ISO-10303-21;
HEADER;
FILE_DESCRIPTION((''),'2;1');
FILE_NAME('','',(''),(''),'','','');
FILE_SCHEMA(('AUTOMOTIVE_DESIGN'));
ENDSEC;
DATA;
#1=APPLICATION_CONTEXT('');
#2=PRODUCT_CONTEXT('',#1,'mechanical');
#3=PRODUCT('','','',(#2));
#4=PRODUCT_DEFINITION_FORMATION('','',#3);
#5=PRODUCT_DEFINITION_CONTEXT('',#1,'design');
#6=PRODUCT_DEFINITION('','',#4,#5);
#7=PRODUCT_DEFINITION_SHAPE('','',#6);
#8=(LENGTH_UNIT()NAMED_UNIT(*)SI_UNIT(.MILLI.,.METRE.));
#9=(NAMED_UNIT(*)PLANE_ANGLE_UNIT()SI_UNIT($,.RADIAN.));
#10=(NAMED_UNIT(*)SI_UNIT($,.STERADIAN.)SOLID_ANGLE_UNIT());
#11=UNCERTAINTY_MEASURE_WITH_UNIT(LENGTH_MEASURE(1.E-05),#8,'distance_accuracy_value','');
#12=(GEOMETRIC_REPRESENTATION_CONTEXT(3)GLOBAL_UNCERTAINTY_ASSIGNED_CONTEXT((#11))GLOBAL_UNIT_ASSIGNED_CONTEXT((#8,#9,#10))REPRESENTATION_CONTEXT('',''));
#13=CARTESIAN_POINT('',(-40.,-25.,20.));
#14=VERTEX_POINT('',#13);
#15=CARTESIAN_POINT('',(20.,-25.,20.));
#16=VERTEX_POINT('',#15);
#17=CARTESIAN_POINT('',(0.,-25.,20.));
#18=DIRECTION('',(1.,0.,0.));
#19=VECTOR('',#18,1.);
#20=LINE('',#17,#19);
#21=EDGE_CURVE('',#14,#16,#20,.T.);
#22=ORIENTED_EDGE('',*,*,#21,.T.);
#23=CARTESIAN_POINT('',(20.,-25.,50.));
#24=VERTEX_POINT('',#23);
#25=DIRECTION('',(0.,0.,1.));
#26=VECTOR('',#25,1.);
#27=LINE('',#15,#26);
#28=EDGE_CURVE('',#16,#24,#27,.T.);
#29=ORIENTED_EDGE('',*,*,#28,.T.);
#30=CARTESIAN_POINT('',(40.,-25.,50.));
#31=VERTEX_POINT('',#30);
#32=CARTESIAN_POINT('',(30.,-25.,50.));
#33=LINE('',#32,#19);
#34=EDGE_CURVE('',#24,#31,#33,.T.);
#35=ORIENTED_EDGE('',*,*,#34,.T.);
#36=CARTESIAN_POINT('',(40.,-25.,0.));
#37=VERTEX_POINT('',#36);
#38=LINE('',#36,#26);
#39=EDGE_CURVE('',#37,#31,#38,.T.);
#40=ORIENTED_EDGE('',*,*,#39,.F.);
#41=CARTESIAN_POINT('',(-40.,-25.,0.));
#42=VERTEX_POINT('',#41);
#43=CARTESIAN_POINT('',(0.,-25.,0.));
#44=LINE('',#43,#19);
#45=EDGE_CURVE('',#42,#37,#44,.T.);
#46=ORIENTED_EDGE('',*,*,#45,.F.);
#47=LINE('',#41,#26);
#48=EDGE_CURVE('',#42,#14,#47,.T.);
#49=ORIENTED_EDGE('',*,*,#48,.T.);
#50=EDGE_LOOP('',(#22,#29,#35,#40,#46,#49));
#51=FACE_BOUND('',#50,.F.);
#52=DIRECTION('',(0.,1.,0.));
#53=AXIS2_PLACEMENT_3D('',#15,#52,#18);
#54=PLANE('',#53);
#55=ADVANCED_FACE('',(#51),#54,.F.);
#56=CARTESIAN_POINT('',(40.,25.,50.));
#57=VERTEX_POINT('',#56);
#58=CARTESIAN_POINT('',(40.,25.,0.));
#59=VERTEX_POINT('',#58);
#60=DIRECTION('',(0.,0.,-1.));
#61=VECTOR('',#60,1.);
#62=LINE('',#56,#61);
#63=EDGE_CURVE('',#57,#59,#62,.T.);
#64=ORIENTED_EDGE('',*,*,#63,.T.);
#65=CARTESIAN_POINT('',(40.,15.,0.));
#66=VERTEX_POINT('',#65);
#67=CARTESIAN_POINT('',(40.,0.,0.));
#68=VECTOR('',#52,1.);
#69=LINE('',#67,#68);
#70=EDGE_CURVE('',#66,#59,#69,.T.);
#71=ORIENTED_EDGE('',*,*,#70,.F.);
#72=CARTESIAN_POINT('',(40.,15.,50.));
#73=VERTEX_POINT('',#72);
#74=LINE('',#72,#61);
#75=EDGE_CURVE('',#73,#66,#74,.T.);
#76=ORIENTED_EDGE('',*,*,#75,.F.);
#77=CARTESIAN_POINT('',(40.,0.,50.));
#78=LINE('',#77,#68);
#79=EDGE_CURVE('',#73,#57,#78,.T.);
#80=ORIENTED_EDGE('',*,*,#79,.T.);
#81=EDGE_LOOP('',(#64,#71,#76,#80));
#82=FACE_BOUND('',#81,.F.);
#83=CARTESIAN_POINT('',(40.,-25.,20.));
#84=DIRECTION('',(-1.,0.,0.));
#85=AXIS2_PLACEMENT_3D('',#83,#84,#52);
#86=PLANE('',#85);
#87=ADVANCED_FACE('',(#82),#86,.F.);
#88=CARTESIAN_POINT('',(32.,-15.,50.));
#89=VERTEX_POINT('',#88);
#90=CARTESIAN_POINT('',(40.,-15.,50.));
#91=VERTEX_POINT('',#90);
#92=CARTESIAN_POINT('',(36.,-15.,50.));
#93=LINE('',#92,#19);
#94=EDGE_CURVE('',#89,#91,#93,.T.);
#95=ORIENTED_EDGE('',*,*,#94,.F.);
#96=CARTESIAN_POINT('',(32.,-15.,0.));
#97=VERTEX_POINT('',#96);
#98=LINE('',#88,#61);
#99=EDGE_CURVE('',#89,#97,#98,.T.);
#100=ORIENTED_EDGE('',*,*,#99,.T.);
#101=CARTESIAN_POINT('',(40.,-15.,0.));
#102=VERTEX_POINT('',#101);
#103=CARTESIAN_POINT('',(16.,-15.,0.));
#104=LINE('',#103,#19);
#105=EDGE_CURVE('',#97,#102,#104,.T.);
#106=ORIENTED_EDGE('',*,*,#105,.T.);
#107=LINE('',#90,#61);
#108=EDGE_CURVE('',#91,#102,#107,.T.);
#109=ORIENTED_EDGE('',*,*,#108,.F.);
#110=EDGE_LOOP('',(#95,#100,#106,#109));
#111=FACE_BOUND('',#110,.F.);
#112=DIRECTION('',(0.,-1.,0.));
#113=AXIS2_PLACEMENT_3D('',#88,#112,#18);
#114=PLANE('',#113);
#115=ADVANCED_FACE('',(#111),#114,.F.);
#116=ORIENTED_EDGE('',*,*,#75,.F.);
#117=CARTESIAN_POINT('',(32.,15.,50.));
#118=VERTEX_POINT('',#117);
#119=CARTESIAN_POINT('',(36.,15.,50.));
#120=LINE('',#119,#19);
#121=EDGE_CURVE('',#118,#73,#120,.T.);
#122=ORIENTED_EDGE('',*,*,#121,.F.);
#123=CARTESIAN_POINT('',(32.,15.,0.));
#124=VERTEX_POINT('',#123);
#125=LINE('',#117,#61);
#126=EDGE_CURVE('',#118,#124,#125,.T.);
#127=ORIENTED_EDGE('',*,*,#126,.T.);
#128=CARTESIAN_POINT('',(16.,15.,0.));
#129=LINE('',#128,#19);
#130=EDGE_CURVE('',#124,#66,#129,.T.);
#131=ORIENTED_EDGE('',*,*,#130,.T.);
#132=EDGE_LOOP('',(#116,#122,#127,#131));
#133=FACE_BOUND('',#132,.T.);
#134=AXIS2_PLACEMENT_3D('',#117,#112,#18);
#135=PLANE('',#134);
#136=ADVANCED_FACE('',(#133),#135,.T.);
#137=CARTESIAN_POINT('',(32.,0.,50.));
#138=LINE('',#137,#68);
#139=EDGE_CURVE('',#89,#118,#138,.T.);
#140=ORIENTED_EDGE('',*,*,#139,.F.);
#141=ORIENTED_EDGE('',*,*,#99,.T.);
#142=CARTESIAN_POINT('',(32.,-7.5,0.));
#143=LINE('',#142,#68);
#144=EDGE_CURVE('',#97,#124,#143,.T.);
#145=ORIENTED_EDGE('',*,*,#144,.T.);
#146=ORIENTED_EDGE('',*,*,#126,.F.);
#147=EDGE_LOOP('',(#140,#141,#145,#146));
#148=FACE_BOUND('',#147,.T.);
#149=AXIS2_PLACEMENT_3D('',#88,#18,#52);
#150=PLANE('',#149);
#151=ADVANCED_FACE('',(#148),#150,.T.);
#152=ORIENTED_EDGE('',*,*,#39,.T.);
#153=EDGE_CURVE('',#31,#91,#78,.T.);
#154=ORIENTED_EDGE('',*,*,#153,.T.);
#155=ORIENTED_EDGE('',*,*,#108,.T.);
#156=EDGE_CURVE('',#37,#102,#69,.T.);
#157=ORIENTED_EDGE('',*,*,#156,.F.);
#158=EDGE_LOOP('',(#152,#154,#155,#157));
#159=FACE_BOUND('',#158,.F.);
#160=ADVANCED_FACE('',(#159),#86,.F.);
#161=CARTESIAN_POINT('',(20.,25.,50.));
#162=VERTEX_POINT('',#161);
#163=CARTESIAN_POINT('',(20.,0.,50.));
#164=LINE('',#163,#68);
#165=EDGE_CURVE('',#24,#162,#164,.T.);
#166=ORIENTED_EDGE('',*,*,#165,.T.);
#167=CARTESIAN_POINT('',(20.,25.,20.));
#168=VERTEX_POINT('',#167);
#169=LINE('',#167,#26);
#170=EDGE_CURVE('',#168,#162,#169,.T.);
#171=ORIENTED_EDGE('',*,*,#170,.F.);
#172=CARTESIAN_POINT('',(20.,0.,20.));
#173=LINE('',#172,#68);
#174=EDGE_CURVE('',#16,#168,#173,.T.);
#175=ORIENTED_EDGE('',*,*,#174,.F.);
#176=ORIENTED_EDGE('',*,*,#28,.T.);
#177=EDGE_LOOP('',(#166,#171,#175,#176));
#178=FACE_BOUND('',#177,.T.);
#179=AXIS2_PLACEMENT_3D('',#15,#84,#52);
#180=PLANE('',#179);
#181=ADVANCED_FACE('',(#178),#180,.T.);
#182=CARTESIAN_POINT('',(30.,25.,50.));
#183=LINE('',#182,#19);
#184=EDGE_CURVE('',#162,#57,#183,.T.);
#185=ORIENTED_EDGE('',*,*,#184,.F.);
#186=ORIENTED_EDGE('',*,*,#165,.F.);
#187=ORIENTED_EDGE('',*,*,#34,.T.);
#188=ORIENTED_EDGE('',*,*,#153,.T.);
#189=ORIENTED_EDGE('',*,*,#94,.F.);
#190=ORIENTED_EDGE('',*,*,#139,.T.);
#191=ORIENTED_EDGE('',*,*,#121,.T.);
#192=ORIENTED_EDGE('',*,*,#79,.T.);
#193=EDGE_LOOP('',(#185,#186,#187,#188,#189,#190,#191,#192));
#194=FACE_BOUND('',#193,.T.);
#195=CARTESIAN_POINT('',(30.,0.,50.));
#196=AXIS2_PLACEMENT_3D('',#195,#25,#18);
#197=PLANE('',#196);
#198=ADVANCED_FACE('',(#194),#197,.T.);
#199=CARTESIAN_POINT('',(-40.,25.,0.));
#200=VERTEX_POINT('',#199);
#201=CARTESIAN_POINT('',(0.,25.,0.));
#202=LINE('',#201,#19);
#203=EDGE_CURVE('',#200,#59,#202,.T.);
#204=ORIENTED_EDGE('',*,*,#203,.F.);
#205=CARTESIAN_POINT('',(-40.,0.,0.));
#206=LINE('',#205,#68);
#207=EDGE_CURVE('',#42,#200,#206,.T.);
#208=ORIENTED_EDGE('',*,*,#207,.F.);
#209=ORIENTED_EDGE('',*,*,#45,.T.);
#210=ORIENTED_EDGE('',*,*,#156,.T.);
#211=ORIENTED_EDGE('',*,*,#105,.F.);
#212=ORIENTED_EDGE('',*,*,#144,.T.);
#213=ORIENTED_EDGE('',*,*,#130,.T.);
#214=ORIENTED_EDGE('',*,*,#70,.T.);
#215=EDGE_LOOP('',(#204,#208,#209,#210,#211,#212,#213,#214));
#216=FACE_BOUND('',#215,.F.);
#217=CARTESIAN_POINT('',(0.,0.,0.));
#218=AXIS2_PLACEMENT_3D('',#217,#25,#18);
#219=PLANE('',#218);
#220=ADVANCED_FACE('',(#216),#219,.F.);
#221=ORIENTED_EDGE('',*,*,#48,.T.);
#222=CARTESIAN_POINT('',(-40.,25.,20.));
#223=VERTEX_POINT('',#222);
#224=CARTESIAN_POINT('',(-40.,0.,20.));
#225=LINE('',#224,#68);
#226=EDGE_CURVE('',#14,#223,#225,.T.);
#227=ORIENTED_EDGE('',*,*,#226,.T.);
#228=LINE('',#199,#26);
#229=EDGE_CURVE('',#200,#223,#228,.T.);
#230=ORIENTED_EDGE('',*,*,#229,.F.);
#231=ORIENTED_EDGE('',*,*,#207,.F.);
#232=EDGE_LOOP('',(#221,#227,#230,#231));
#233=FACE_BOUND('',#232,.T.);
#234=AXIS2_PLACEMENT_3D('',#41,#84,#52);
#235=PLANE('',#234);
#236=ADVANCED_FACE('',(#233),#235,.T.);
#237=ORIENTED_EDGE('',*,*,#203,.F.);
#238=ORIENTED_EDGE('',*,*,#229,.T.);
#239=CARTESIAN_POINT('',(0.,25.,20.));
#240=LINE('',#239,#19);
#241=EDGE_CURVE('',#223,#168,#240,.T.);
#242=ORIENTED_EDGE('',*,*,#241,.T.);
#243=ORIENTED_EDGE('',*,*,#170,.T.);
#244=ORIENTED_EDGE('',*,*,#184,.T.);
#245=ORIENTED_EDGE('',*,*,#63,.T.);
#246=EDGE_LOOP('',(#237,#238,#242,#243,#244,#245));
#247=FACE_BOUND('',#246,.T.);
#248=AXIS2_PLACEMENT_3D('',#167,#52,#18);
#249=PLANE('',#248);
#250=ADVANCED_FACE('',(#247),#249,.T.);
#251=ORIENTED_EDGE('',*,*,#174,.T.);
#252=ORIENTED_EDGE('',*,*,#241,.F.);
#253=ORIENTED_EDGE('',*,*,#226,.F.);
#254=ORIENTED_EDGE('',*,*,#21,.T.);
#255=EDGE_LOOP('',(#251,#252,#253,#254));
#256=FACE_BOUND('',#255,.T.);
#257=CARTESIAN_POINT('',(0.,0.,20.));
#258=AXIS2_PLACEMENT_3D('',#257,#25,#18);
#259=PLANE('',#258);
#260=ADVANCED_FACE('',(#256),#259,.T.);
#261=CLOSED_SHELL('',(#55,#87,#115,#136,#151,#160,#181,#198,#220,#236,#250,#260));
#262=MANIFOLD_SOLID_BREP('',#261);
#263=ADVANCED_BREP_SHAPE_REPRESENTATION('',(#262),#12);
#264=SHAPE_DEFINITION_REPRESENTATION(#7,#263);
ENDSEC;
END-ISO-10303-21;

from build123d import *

# Parameters (mm, degrees)
F0_W     = 80
F0_H     = 50
F1_DEPTH = 20
F2_W     = 20
F2_H     = 50
F3_DEPTH = 30
F4_W     = 8
F4_H     = 30
F5_DEPTH = 50.001


with BuildPart() as f1:
    # F0 (on Top) → F1 (new body)
    with BuildSketch(Plane.XY):
        Rectangle(F0_W, F0_H)
    extrude(amount=F1_DEPTH)

    # F2 (on face) → F3 (join)
    with BuildSketch(Plane.XY.offset(20)):
        with Locations((30, 0)):
            Rectangle(F2_W, F2_H)
    extrude(amount=F3_DEPTH)

    # F4 (on face) → F5 (cut, through all)
    with BuildSketch(Plane.XY.offset(50)):
        with Locations((36, 0)):
            Rectangle(F4_W, F4_H)
    extrude(amount=-F5_DEPTH, mode=Mode.SUBTRACT)


solid = f1.part
